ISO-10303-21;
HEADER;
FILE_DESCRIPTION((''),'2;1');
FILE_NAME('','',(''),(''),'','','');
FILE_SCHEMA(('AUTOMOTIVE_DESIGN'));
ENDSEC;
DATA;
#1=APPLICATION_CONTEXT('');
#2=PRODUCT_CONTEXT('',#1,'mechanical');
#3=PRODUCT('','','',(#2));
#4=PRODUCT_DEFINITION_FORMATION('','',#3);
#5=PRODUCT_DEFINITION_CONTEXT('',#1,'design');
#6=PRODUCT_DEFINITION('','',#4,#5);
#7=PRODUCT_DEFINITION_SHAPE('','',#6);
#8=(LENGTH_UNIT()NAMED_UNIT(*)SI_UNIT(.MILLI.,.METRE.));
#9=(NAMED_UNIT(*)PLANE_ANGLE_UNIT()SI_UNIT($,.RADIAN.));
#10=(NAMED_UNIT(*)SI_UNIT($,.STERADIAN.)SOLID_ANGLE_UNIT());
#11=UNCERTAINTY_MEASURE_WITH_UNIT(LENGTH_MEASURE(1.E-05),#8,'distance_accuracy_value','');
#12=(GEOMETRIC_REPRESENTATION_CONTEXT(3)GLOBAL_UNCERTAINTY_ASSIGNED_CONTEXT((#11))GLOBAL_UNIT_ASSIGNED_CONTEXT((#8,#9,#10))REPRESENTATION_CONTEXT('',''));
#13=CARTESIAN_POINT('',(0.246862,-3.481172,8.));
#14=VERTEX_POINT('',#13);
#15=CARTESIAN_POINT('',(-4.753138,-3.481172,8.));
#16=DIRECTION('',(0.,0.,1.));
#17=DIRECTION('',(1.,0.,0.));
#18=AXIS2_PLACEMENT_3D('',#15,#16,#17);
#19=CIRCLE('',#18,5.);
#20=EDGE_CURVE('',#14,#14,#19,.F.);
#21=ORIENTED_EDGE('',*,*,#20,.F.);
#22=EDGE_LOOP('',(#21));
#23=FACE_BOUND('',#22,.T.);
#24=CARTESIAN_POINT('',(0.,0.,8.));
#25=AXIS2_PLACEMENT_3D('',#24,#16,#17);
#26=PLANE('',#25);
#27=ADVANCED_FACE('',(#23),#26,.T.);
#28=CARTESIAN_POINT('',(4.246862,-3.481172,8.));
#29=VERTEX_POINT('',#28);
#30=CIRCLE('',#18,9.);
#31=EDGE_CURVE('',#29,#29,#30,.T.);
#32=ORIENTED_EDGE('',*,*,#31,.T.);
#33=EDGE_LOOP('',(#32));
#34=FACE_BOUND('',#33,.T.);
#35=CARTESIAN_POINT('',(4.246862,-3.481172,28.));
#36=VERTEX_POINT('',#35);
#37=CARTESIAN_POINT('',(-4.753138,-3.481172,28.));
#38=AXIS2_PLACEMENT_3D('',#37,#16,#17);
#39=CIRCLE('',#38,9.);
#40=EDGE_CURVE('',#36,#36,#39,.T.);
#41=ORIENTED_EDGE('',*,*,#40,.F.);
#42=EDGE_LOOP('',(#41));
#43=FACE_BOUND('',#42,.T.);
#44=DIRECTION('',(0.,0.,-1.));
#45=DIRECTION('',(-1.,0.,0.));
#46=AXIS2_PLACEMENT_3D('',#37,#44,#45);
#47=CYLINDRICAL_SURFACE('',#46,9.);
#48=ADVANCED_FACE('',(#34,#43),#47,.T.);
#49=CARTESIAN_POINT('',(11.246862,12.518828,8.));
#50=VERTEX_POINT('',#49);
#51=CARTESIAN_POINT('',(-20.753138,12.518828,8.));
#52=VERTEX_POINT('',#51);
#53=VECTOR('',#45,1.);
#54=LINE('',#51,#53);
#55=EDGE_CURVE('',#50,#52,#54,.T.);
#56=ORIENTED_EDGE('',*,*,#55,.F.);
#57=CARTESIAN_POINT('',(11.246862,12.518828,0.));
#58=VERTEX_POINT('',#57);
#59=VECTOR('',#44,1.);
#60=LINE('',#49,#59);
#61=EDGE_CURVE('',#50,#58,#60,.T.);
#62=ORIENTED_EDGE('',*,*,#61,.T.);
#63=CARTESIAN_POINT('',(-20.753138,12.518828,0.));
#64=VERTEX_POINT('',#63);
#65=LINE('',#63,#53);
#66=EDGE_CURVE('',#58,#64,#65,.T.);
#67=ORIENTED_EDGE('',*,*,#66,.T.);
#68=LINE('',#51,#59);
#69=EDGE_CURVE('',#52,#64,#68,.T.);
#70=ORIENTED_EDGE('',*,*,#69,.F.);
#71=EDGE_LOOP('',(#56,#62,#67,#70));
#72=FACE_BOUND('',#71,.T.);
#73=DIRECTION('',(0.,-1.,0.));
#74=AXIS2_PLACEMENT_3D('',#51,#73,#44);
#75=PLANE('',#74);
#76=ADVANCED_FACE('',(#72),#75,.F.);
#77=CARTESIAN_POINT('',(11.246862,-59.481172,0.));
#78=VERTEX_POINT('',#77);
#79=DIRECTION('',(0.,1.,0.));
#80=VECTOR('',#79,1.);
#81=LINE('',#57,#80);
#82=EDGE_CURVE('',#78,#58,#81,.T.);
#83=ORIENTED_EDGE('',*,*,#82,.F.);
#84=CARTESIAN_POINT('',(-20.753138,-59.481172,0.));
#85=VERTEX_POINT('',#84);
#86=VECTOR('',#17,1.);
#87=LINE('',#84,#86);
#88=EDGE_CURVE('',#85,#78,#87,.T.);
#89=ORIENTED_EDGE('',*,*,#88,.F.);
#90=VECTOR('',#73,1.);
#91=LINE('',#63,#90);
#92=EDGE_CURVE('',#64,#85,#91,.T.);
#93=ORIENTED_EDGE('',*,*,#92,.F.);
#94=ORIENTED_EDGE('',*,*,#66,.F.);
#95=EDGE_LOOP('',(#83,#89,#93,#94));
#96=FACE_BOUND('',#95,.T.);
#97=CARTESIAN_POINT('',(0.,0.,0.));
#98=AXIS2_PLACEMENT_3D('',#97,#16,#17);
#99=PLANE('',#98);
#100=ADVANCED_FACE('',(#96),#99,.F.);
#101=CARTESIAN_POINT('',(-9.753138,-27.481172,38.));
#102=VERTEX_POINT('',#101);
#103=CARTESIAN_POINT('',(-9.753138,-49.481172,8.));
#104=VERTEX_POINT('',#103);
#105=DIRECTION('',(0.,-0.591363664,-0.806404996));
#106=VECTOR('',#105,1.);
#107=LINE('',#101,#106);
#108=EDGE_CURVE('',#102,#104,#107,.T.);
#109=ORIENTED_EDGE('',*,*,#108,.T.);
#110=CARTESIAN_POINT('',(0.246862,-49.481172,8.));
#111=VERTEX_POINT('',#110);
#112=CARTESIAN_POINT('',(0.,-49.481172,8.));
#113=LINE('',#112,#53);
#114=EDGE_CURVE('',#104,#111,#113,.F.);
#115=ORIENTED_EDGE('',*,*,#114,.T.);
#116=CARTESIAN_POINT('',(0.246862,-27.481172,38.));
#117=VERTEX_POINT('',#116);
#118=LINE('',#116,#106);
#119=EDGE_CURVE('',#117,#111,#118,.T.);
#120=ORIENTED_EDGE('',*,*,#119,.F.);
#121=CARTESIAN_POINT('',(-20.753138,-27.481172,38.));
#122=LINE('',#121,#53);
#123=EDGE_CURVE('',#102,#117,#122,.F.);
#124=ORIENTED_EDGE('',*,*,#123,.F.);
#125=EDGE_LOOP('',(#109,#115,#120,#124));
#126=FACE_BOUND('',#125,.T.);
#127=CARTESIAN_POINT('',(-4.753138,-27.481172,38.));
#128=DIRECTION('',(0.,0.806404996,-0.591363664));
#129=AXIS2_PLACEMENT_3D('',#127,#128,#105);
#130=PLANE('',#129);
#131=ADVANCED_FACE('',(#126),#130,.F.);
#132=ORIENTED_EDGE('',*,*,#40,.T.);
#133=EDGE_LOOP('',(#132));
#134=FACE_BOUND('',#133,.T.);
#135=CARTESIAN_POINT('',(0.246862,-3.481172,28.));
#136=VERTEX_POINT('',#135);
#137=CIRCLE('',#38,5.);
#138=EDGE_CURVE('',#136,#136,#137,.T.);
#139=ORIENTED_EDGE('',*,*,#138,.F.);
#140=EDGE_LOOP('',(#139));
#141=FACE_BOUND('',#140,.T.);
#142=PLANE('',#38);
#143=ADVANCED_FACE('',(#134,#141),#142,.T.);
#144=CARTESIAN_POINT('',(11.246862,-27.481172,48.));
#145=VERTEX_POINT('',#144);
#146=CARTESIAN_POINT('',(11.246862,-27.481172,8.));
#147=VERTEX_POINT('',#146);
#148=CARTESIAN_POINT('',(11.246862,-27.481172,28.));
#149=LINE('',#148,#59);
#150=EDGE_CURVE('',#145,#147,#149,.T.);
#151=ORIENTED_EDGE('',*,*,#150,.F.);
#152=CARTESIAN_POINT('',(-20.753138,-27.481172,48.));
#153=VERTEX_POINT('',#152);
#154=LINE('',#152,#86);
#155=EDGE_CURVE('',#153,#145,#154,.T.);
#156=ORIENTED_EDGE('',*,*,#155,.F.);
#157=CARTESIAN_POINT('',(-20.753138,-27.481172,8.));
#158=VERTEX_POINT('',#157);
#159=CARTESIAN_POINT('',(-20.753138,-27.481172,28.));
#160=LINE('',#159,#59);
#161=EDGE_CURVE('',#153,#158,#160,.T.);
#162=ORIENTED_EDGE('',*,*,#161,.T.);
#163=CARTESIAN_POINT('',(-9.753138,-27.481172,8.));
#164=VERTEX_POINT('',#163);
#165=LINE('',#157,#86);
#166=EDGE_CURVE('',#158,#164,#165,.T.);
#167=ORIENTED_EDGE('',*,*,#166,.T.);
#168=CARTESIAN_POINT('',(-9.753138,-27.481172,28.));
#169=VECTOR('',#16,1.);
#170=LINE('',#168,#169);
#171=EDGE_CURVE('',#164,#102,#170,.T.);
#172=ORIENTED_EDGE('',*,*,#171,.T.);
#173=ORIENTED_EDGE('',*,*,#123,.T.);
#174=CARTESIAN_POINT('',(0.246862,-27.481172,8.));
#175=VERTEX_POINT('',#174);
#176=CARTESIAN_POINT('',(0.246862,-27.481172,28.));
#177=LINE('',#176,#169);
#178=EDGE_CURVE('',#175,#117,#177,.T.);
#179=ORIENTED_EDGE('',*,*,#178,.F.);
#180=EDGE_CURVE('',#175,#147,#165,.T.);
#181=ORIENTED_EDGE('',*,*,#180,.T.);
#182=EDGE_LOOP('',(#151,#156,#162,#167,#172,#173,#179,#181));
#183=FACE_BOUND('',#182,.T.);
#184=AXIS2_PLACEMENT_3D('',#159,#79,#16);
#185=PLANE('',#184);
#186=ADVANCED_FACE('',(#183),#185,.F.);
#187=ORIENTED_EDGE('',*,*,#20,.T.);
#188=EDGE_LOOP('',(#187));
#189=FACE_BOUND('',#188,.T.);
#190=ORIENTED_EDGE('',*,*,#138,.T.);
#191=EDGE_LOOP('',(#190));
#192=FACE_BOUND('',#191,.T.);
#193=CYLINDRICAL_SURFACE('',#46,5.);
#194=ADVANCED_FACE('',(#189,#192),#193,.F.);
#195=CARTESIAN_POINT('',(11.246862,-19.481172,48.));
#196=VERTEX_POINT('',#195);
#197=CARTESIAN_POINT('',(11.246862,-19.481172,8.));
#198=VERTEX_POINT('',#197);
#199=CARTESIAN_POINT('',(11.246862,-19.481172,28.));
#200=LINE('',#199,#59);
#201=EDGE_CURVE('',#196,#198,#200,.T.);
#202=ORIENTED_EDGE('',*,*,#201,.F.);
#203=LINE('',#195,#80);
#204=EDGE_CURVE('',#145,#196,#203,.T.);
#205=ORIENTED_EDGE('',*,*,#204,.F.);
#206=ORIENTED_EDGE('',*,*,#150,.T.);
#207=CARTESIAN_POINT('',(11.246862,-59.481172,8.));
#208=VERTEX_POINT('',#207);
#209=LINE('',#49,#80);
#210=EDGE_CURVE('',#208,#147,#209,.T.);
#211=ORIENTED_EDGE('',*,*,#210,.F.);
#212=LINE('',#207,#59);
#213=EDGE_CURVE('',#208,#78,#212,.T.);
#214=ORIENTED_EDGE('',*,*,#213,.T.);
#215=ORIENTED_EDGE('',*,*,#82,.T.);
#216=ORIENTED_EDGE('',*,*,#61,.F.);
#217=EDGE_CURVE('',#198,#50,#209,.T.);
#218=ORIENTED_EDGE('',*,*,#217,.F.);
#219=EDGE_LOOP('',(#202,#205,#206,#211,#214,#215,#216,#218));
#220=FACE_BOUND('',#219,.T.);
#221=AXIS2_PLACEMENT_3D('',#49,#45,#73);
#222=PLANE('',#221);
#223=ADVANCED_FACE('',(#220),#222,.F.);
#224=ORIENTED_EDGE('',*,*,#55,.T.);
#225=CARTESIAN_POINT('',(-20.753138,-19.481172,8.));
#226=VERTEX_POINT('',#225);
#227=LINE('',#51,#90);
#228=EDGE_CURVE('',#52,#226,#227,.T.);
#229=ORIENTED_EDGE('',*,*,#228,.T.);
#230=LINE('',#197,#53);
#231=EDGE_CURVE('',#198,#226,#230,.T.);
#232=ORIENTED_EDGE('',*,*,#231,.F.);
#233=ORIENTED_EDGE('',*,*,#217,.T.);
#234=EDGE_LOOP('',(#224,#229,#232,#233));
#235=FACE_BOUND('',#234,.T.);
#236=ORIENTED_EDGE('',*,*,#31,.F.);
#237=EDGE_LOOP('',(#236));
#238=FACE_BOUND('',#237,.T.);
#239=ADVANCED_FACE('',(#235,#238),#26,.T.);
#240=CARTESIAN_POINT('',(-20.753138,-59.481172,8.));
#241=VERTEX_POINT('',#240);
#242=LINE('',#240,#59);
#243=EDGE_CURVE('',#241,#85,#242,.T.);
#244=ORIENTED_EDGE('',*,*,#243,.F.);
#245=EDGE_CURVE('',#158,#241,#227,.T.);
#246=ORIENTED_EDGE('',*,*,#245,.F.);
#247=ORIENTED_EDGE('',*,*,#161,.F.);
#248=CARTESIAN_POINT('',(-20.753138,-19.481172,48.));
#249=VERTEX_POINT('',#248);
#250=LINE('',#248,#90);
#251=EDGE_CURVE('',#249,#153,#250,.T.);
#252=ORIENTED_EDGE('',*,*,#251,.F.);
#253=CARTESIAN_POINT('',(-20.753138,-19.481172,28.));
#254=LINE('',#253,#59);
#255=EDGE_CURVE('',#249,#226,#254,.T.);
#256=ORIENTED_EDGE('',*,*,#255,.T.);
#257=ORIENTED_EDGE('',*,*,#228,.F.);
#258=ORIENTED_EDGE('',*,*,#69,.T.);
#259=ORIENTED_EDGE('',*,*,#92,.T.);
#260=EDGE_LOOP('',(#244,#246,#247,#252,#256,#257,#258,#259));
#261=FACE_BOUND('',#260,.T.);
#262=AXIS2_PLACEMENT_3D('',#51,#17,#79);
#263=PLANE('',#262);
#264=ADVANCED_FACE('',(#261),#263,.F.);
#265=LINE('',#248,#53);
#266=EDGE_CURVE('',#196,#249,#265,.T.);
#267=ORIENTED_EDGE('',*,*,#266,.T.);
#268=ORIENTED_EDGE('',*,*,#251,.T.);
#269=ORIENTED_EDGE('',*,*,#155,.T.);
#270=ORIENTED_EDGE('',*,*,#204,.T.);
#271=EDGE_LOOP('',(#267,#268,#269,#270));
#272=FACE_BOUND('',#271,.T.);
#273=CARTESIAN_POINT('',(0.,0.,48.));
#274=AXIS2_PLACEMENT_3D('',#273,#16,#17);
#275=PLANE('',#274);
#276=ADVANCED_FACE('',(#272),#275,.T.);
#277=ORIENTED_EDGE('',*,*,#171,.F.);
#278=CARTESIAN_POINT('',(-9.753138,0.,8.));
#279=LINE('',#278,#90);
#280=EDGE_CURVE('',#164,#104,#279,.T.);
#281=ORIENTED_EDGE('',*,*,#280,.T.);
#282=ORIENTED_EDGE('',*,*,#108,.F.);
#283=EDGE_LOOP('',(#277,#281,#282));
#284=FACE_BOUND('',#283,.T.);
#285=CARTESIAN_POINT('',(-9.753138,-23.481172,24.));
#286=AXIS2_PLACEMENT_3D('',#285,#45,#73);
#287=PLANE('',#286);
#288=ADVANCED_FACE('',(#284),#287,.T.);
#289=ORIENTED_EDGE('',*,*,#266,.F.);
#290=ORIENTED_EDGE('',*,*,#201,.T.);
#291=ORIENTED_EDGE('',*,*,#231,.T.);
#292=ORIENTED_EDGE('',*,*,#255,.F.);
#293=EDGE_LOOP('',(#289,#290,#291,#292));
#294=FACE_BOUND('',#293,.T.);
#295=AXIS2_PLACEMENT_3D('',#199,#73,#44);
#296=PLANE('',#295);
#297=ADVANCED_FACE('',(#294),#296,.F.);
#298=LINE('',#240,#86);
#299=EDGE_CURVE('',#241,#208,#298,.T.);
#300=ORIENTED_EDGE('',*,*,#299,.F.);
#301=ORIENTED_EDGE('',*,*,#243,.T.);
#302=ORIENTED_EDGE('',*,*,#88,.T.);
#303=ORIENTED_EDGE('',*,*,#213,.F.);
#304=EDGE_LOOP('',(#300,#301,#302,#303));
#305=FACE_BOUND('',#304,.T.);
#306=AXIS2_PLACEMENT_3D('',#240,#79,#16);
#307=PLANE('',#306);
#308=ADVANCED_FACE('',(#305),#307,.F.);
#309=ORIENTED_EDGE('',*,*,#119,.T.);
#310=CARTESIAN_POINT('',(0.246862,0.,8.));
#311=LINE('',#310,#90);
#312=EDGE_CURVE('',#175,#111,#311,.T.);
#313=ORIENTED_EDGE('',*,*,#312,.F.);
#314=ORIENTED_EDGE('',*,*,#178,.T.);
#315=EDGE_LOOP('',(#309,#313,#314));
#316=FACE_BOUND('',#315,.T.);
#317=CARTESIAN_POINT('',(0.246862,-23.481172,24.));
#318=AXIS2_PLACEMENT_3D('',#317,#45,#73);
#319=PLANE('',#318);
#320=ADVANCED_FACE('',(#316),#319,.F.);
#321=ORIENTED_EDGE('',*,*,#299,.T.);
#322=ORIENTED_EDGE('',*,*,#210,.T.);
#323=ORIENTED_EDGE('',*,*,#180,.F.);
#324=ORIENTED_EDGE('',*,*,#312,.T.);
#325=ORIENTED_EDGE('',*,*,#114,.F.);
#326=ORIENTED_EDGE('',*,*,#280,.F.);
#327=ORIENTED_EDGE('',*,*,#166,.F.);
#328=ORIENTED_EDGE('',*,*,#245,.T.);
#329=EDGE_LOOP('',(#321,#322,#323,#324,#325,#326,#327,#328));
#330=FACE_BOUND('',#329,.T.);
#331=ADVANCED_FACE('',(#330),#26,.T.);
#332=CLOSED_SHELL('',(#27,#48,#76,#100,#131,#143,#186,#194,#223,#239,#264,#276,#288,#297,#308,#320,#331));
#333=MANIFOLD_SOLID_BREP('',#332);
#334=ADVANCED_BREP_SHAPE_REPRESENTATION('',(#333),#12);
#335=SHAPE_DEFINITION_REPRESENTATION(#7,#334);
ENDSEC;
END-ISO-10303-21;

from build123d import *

# Parameters (mm, degrees)
SKETCH2_W           = 32
SKETCH2_H           = 72
BOSS_EXTRUDE1_DEPTH = 8
SKETCH3_R           = 9
SKETCH3_R_2         = 5
SKETCH3_W           = 32
SKETCH3_H           = 8
BOSS_EXTRUDE2_DEPTH = 20
SKETCH4_W           = 32
SKETCH4_H           = 8
BOSS_EXTRUDE3_DEPTH = 20
RIB1_REACH          = 80.09
SKETCH5_WALL_W      = 195.381659614
SKETCH5_WALL_H      = 10


with BuildPart() as part:
    # Sketch2 → Boss-Extrude1 (new body)
    with BuildSketch(Plane.XY):
        with Locations((-4.753138075, -23.481171548)):
            Rectangle(SKETCH2_W, SKETCH2_H)
    extrude(amount=BOSS_EXTRUDE1_DEPTH)

    # Sketch3 → Boss-Extrude2 (add)
    # profile 1 of 2: a face of its own
    with BuildSketch(Plane.XY.offset(8)):
        with Locations((-4.753138075, -3.481171548)):
            Circle(SKETCH3_R)
        with Locations((-4.753138075, -3.481171548)):
            Circle(SKETCH3_R_2, mode=Mode.SUBTRACT)
    # profile 2 of 2: a face of its own
    with BuildSketch(Plane.XY.offset(8)):
        with Locations((-4.753138075, -23.481171548)):
            Rectangle(SKETCH3_W, SKETCH3_H)
    extrude(amount=BOSS_EXTRUDE2_DEPTH)

    # Sketch4 → Boss-Extrude3 (add)
    with BuildSketch(Plane.XY.offset(28)):
        with Locations((-4.753138075, -23.481171548)):
            Rectangle(SKETCH4_W, SKETCH4_H)
    extrude(amount=BOSS_EXTRUDE3_DEPTH)

    # Sketch5 wall → Rib1 (add, up to next)
    with BuildSketch(Plane(origin=(-4.753138075, -38.481171548, 23), x_dir=(0, -0.591363663628, -0.806404995856), z_dir=(0, -0.806404995856, 0.591363663628)), mode=Mode.PRIVATE) as rib1_sk1:
        Rectangle(SKETCH5_WALL_W, SKETCH5_WALL_H)
    rib1_tool1 = extrude(rib1_sk1.sketch, amount=-RIB1_REACH, mode=Mode.PRIVATE) - part.part
    add(rib1_tool1.solids().sort_by_distance((-4.753138075, -38.481171548, 23))[0])


solid = part.part
